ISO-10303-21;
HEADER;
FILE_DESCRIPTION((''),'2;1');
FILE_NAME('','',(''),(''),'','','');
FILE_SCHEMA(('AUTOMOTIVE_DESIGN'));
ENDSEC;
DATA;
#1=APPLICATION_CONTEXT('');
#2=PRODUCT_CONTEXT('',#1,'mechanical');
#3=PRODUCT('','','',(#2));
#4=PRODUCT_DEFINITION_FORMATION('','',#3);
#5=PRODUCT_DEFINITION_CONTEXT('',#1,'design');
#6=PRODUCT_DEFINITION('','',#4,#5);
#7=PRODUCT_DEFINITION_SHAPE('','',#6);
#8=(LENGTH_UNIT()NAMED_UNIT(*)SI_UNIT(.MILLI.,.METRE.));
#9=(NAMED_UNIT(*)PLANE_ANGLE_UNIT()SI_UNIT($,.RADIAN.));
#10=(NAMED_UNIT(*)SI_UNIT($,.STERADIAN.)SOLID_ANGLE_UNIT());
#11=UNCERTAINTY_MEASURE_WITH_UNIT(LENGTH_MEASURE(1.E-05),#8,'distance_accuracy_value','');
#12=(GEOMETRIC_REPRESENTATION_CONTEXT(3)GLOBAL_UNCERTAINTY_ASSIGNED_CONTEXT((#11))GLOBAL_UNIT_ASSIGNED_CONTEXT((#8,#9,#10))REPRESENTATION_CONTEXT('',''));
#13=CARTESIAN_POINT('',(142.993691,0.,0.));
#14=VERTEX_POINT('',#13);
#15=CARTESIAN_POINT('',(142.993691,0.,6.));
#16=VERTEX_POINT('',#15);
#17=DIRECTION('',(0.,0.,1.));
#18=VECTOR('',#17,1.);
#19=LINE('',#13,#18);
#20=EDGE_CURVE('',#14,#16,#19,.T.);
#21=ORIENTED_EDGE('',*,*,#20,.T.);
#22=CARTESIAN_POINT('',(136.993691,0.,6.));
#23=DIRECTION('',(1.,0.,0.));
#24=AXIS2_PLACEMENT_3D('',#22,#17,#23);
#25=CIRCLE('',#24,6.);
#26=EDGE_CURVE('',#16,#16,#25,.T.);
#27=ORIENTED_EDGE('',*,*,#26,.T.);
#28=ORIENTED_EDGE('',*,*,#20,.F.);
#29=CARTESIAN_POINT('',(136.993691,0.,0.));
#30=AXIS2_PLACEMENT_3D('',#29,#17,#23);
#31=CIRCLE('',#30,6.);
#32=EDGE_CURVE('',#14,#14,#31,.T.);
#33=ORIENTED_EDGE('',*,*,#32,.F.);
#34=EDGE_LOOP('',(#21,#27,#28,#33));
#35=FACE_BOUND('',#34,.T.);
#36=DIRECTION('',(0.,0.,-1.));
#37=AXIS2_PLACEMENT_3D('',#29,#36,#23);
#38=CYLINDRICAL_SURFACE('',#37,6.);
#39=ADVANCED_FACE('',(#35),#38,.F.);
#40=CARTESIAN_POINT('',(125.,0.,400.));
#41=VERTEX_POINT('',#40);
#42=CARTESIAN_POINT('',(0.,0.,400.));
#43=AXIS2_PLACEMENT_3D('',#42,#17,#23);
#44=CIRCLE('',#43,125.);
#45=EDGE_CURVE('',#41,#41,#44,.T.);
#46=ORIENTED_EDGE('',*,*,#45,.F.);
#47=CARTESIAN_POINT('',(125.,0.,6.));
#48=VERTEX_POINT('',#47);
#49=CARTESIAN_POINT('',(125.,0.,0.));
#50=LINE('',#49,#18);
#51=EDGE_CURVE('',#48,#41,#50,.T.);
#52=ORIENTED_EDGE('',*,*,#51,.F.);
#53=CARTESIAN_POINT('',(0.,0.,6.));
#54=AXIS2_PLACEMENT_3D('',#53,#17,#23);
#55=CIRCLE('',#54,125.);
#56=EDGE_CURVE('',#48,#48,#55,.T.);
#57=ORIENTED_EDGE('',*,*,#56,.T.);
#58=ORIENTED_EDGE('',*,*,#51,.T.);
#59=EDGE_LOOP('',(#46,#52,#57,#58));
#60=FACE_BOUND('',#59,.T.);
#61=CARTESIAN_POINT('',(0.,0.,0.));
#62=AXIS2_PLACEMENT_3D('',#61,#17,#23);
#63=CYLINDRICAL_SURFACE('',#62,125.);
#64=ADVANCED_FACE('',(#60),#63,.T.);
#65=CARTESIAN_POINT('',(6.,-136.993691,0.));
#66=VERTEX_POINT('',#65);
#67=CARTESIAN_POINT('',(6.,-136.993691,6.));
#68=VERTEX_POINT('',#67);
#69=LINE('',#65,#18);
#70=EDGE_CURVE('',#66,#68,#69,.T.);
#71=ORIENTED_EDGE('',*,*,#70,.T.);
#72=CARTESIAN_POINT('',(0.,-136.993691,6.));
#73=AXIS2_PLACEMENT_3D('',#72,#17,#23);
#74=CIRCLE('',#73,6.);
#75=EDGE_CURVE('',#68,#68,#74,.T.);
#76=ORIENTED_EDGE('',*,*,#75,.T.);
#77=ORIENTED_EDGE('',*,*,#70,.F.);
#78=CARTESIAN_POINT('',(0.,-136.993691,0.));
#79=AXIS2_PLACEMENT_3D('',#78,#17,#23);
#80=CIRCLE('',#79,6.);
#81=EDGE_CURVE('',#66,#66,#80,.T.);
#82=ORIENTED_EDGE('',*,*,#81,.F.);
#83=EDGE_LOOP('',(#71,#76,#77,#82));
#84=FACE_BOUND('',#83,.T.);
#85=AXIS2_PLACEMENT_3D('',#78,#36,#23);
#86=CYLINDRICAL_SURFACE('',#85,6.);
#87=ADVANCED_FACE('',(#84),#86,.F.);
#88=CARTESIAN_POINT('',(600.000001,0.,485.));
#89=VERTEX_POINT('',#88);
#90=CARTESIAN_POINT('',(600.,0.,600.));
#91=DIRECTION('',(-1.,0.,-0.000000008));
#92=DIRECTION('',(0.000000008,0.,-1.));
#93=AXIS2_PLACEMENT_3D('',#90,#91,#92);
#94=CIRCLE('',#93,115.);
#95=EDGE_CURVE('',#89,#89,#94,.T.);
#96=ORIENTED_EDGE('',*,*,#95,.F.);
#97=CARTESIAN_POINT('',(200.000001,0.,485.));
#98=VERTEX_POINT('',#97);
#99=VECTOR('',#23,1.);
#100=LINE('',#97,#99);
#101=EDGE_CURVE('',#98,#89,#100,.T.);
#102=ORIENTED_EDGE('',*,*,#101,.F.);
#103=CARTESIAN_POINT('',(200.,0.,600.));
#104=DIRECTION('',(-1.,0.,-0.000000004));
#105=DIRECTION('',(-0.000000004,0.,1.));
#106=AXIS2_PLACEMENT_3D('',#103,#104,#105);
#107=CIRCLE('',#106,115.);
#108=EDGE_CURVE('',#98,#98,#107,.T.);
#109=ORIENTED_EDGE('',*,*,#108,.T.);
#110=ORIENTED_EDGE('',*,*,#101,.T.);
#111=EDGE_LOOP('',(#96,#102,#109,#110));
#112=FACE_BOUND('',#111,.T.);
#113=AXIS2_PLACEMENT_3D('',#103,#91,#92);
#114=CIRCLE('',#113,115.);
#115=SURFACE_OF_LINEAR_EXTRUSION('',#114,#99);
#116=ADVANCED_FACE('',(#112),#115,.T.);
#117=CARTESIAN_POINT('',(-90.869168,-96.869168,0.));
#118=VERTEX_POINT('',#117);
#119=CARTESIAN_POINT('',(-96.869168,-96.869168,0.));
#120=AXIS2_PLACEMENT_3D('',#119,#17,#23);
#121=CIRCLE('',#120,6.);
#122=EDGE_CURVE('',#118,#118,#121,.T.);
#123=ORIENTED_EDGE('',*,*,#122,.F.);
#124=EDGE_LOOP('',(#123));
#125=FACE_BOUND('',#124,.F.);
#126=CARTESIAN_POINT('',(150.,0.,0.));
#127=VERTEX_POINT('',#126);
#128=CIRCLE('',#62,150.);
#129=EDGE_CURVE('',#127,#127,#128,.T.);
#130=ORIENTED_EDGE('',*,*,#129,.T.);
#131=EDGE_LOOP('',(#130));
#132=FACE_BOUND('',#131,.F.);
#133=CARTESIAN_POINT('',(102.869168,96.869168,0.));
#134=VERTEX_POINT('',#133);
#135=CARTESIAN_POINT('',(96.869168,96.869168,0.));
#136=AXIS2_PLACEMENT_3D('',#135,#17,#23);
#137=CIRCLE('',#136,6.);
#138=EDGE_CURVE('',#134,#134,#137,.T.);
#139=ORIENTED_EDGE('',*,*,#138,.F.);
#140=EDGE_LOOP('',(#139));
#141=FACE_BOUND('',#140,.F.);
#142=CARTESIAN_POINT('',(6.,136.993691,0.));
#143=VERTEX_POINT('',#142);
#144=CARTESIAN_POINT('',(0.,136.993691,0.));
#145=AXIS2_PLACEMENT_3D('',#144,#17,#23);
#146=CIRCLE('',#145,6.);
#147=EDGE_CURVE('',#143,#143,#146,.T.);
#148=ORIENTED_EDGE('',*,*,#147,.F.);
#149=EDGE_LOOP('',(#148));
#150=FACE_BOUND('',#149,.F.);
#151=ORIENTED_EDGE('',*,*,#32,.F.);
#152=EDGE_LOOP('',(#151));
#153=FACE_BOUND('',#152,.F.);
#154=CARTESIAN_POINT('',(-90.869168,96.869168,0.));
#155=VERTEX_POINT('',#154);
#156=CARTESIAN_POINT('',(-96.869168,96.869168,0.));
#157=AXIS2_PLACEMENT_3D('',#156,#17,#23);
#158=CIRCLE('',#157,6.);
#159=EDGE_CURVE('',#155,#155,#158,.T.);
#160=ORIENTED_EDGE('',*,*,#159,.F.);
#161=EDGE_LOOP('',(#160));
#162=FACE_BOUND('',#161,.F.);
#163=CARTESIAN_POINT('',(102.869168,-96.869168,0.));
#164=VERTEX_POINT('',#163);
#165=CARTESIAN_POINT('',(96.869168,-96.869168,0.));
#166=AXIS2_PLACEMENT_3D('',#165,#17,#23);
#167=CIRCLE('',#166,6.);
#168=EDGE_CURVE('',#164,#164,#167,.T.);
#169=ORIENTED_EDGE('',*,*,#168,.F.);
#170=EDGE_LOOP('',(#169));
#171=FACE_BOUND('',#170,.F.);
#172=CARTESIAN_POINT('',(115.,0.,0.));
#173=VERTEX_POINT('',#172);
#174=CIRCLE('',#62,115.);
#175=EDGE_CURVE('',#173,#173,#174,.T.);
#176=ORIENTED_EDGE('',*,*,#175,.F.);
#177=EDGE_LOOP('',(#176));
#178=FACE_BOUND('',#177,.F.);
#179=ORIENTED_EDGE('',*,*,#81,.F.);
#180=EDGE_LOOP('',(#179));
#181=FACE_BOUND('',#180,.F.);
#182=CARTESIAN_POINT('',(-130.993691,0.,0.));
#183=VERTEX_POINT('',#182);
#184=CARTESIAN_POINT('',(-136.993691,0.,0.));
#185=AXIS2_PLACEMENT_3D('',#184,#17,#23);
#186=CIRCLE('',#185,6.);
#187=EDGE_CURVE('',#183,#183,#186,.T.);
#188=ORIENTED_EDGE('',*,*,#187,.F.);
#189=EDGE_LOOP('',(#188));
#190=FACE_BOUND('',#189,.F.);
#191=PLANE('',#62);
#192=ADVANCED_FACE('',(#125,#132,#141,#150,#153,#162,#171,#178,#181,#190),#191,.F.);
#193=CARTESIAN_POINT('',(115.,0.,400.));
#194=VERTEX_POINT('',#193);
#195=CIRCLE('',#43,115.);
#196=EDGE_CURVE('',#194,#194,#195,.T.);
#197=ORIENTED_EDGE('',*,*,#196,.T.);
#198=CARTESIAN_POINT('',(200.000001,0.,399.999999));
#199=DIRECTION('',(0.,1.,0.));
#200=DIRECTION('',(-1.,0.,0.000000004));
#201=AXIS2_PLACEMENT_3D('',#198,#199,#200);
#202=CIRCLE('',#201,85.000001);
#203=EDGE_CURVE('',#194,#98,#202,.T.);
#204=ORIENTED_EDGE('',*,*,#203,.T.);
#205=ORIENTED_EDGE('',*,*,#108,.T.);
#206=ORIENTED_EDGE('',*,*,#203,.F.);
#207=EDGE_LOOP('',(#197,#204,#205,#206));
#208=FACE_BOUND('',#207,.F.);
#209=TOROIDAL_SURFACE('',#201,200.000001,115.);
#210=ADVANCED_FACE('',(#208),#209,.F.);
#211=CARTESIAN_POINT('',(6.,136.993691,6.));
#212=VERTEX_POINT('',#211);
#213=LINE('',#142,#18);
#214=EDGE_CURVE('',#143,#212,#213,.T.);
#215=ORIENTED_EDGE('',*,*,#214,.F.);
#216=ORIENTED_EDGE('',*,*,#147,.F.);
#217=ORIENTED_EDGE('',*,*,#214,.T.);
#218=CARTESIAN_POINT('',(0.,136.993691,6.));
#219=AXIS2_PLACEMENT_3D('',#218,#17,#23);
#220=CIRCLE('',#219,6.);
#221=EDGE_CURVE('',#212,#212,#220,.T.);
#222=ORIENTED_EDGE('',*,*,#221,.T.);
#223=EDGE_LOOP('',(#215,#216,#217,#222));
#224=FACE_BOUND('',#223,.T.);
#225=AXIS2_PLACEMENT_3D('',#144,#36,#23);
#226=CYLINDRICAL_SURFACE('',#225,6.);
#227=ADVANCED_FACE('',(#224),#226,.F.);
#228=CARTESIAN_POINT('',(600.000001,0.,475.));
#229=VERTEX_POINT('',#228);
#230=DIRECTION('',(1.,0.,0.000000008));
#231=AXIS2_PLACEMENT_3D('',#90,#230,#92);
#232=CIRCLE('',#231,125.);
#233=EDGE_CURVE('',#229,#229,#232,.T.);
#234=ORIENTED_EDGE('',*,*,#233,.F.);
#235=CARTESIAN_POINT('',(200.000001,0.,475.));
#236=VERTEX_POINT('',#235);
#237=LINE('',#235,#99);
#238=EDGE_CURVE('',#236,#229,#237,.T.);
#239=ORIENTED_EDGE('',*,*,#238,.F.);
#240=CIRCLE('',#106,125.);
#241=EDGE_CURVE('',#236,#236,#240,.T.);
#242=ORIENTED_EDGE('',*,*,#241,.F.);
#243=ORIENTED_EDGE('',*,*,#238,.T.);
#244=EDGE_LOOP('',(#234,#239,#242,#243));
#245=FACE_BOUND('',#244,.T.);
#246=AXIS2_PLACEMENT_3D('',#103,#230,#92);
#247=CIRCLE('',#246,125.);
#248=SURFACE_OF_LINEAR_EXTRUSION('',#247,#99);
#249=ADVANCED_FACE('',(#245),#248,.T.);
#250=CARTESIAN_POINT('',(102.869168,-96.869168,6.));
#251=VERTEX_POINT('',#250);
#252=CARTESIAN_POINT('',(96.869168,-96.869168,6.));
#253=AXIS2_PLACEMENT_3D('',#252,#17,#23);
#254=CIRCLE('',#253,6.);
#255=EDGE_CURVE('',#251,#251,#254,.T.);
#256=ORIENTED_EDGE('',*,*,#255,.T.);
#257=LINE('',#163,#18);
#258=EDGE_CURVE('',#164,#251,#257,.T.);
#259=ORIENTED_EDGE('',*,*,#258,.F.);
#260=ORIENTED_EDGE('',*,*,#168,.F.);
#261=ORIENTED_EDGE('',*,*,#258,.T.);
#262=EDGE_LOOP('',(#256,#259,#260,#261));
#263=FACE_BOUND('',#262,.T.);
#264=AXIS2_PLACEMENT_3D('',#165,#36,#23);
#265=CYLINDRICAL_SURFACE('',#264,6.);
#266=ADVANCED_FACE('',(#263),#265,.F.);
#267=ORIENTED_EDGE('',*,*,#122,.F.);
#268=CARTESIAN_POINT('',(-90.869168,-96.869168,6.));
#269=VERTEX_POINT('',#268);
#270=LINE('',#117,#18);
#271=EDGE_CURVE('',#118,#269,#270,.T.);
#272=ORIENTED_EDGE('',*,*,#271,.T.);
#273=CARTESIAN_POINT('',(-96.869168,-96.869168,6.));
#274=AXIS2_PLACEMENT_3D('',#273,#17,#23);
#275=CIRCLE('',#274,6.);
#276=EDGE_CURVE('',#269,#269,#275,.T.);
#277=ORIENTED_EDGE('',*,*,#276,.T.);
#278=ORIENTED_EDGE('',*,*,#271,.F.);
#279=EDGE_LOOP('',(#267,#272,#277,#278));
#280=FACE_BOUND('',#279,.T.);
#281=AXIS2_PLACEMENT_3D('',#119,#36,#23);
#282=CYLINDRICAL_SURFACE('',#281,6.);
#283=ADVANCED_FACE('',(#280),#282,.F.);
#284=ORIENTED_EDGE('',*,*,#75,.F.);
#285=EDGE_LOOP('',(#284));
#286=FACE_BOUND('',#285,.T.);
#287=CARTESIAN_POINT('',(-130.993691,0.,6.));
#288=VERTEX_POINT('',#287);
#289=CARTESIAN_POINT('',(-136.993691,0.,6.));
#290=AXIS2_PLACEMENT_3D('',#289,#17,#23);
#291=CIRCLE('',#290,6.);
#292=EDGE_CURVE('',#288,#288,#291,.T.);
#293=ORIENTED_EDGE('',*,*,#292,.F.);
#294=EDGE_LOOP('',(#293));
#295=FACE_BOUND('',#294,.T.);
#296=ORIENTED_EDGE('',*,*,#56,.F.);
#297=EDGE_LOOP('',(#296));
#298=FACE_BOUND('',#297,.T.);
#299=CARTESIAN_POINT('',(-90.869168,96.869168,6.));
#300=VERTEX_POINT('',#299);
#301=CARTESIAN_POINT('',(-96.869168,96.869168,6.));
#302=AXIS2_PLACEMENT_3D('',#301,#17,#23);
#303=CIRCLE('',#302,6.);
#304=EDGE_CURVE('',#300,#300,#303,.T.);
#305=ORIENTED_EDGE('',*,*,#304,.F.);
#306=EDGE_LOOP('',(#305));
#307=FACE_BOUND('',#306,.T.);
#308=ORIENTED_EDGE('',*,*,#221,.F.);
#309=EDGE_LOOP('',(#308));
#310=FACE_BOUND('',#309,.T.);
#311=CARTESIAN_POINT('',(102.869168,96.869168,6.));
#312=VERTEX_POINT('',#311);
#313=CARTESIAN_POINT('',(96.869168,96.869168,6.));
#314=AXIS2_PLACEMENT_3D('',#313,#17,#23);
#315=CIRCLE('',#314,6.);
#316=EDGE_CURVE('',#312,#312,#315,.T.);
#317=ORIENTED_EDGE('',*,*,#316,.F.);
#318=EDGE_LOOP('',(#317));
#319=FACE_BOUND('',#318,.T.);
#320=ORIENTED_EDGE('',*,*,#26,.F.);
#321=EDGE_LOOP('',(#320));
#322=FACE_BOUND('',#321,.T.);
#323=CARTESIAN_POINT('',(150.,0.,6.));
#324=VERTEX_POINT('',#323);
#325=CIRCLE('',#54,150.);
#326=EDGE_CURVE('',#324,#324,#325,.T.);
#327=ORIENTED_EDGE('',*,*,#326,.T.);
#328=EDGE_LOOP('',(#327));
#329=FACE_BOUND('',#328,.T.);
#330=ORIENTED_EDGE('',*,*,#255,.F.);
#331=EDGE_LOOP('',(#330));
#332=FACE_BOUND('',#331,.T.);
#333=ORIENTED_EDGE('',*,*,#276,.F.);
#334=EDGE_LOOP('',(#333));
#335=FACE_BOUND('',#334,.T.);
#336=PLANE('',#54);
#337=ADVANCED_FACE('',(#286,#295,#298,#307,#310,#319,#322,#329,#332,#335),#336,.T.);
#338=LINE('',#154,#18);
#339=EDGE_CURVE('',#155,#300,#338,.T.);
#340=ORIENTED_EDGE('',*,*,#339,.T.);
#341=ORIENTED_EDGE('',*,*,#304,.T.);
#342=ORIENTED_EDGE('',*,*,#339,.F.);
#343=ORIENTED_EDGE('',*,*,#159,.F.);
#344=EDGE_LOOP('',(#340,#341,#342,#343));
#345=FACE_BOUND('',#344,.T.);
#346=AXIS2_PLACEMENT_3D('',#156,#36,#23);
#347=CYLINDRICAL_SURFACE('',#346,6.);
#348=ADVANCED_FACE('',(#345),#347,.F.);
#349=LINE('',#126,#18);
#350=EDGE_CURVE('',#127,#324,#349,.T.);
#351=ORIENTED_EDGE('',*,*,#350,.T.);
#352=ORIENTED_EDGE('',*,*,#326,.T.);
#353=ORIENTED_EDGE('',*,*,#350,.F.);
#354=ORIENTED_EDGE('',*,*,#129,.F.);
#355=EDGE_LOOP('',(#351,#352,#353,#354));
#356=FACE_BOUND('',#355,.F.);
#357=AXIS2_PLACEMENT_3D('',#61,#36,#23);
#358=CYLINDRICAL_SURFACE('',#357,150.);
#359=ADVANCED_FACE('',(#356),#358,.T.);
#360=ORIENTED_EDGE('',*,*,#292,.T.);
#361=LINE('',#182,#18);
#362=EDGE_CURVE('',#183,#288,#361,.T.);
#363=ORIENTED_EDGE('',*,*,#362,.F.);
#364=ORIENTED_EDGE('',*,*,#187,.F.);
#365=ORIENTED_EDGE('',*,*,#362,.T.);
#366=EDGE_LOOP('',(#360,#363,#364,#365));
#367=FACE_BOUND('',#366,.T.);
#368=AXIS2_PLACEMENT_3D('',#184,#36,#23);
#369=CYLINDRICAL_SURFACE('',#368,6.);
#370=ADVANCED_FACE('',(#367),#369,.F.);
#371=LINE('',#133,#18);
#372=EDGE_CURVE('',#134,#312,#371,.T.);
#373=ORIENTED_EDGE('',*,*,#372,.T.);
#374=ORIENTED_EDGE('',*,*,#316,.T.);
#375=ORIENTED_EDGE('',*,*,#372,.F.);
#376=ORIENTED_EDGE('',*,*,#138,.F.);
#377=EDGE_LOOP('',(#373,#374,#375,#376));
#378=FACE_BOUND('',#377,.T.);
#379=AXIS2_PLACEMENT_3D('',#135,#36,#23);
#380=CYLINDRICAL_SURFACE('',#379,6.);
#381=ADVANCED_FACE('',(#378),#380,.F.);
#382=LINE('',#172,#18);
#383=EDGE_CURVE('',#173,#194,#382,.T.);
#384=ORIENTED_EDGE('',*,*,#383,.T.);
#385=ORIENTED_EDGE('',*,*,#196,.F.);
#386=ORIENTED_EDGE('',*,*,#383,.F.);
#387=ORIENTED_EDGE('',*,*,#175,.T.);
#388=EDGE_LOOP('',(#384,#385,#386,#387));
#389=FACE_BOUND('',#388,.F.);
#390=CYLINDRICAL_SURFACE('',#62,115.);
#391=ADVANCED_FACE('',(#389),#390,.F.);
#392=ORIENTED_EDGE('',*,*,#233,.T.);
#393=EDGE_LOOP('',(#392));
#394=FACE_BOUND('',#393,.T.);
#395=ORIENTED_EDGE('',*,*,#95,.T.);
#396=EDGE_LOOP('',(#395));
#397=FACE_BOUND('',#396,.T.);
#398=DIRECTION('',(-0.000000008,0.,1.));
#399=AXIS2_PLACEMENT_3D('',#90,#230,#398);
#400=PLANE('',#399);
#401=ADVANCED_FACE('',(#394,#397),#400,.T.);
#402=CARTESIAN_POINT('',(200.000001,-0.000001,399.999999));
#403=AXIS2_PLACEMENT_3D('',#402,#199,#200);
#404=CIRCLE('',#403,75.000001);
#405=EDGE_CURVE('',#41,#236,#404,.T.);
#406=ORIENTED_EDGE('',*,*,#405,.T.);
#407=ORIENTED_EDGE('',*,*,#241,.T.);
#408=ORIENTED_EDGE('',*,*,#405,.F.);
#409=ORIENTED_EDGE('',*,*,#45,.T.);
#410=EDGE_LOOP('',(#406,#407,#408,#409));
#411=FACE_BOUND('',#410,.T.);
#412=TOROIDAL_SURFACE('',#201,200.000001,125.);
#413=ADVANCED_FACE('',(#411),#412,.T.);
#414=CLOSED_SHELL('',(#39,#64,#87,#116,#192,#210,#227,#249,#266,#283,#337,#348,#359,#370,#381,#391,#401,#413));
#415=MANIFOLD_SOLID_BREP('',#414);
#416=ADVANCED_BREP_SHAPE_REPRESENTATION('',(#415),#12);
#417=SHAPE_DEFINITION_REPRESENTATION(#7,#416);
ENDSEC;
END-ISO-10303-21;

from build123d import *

# Parameters (mm, degrees)
F0_R     = 150
F0_R_2   = 6
F0_R_3   = 125
F1_DEPTH = 6
F3_R     = 125
F3_R_2   = 115


with BuildPart() as f1:
    # F0 (on Top) → F1 (new body)
    with BuildSketch(Plane.XY):
        Circle(F0_R)
        with Locations((-96.869168, -96.869168)):
            Circle(F0_R_2, mode=Mode.SUBTRACT)
        with Locations((0, -136.993691)):
            Circle(F0_R_2, mode=Mode.SUBTRACT)
        with Locations((96.869168, -96.869168)):
            Circle(F0_R_2, mode=Mode.SUBTRACT)
        with Locations((-136.993691, 0)):
            Circle(F0_R_2, mode=Mode.SUBTRACT)
        with Locations((-96.869168, 96.869168)):
            Circle(F0_R_2, mode=Mode.SUBTRACT)
        Circle(F0_R_3, mode=Mode.SUBTRACT)
        with Locations((136.993691, 0)):
            Circle(F0_R_2, mode=Mode.SUBTRACT)
        with Locations((0, 136.993691)):
            Circle(F0_R_2, mode=Mode.SUBTRACT)
        with Locations((96.869168, 96.869168)):
            Circle(F0_R_2, mode=Mode.SUBTRACT)
    extrude(amount=F1_DEPTH)

    # F4: sweep along a path in F2
    with BuildLine(Plane.XZ) as f4_path:
        Line((0, 0), (0, 400))
        ThreePointArc((0, 400), (58.578644, 541.421356), (200, 600))
        Line((200, 600), (600, 600))
    # F3 (on Top) → F4 (sweep)
    with BuildSketch(Plane.XY):
        Circle(F3_R)
        Circle(F3_R_2, mode=Mode.SUBTRACT)
    sweep(path=f4_path.line)


solid = f1.part
